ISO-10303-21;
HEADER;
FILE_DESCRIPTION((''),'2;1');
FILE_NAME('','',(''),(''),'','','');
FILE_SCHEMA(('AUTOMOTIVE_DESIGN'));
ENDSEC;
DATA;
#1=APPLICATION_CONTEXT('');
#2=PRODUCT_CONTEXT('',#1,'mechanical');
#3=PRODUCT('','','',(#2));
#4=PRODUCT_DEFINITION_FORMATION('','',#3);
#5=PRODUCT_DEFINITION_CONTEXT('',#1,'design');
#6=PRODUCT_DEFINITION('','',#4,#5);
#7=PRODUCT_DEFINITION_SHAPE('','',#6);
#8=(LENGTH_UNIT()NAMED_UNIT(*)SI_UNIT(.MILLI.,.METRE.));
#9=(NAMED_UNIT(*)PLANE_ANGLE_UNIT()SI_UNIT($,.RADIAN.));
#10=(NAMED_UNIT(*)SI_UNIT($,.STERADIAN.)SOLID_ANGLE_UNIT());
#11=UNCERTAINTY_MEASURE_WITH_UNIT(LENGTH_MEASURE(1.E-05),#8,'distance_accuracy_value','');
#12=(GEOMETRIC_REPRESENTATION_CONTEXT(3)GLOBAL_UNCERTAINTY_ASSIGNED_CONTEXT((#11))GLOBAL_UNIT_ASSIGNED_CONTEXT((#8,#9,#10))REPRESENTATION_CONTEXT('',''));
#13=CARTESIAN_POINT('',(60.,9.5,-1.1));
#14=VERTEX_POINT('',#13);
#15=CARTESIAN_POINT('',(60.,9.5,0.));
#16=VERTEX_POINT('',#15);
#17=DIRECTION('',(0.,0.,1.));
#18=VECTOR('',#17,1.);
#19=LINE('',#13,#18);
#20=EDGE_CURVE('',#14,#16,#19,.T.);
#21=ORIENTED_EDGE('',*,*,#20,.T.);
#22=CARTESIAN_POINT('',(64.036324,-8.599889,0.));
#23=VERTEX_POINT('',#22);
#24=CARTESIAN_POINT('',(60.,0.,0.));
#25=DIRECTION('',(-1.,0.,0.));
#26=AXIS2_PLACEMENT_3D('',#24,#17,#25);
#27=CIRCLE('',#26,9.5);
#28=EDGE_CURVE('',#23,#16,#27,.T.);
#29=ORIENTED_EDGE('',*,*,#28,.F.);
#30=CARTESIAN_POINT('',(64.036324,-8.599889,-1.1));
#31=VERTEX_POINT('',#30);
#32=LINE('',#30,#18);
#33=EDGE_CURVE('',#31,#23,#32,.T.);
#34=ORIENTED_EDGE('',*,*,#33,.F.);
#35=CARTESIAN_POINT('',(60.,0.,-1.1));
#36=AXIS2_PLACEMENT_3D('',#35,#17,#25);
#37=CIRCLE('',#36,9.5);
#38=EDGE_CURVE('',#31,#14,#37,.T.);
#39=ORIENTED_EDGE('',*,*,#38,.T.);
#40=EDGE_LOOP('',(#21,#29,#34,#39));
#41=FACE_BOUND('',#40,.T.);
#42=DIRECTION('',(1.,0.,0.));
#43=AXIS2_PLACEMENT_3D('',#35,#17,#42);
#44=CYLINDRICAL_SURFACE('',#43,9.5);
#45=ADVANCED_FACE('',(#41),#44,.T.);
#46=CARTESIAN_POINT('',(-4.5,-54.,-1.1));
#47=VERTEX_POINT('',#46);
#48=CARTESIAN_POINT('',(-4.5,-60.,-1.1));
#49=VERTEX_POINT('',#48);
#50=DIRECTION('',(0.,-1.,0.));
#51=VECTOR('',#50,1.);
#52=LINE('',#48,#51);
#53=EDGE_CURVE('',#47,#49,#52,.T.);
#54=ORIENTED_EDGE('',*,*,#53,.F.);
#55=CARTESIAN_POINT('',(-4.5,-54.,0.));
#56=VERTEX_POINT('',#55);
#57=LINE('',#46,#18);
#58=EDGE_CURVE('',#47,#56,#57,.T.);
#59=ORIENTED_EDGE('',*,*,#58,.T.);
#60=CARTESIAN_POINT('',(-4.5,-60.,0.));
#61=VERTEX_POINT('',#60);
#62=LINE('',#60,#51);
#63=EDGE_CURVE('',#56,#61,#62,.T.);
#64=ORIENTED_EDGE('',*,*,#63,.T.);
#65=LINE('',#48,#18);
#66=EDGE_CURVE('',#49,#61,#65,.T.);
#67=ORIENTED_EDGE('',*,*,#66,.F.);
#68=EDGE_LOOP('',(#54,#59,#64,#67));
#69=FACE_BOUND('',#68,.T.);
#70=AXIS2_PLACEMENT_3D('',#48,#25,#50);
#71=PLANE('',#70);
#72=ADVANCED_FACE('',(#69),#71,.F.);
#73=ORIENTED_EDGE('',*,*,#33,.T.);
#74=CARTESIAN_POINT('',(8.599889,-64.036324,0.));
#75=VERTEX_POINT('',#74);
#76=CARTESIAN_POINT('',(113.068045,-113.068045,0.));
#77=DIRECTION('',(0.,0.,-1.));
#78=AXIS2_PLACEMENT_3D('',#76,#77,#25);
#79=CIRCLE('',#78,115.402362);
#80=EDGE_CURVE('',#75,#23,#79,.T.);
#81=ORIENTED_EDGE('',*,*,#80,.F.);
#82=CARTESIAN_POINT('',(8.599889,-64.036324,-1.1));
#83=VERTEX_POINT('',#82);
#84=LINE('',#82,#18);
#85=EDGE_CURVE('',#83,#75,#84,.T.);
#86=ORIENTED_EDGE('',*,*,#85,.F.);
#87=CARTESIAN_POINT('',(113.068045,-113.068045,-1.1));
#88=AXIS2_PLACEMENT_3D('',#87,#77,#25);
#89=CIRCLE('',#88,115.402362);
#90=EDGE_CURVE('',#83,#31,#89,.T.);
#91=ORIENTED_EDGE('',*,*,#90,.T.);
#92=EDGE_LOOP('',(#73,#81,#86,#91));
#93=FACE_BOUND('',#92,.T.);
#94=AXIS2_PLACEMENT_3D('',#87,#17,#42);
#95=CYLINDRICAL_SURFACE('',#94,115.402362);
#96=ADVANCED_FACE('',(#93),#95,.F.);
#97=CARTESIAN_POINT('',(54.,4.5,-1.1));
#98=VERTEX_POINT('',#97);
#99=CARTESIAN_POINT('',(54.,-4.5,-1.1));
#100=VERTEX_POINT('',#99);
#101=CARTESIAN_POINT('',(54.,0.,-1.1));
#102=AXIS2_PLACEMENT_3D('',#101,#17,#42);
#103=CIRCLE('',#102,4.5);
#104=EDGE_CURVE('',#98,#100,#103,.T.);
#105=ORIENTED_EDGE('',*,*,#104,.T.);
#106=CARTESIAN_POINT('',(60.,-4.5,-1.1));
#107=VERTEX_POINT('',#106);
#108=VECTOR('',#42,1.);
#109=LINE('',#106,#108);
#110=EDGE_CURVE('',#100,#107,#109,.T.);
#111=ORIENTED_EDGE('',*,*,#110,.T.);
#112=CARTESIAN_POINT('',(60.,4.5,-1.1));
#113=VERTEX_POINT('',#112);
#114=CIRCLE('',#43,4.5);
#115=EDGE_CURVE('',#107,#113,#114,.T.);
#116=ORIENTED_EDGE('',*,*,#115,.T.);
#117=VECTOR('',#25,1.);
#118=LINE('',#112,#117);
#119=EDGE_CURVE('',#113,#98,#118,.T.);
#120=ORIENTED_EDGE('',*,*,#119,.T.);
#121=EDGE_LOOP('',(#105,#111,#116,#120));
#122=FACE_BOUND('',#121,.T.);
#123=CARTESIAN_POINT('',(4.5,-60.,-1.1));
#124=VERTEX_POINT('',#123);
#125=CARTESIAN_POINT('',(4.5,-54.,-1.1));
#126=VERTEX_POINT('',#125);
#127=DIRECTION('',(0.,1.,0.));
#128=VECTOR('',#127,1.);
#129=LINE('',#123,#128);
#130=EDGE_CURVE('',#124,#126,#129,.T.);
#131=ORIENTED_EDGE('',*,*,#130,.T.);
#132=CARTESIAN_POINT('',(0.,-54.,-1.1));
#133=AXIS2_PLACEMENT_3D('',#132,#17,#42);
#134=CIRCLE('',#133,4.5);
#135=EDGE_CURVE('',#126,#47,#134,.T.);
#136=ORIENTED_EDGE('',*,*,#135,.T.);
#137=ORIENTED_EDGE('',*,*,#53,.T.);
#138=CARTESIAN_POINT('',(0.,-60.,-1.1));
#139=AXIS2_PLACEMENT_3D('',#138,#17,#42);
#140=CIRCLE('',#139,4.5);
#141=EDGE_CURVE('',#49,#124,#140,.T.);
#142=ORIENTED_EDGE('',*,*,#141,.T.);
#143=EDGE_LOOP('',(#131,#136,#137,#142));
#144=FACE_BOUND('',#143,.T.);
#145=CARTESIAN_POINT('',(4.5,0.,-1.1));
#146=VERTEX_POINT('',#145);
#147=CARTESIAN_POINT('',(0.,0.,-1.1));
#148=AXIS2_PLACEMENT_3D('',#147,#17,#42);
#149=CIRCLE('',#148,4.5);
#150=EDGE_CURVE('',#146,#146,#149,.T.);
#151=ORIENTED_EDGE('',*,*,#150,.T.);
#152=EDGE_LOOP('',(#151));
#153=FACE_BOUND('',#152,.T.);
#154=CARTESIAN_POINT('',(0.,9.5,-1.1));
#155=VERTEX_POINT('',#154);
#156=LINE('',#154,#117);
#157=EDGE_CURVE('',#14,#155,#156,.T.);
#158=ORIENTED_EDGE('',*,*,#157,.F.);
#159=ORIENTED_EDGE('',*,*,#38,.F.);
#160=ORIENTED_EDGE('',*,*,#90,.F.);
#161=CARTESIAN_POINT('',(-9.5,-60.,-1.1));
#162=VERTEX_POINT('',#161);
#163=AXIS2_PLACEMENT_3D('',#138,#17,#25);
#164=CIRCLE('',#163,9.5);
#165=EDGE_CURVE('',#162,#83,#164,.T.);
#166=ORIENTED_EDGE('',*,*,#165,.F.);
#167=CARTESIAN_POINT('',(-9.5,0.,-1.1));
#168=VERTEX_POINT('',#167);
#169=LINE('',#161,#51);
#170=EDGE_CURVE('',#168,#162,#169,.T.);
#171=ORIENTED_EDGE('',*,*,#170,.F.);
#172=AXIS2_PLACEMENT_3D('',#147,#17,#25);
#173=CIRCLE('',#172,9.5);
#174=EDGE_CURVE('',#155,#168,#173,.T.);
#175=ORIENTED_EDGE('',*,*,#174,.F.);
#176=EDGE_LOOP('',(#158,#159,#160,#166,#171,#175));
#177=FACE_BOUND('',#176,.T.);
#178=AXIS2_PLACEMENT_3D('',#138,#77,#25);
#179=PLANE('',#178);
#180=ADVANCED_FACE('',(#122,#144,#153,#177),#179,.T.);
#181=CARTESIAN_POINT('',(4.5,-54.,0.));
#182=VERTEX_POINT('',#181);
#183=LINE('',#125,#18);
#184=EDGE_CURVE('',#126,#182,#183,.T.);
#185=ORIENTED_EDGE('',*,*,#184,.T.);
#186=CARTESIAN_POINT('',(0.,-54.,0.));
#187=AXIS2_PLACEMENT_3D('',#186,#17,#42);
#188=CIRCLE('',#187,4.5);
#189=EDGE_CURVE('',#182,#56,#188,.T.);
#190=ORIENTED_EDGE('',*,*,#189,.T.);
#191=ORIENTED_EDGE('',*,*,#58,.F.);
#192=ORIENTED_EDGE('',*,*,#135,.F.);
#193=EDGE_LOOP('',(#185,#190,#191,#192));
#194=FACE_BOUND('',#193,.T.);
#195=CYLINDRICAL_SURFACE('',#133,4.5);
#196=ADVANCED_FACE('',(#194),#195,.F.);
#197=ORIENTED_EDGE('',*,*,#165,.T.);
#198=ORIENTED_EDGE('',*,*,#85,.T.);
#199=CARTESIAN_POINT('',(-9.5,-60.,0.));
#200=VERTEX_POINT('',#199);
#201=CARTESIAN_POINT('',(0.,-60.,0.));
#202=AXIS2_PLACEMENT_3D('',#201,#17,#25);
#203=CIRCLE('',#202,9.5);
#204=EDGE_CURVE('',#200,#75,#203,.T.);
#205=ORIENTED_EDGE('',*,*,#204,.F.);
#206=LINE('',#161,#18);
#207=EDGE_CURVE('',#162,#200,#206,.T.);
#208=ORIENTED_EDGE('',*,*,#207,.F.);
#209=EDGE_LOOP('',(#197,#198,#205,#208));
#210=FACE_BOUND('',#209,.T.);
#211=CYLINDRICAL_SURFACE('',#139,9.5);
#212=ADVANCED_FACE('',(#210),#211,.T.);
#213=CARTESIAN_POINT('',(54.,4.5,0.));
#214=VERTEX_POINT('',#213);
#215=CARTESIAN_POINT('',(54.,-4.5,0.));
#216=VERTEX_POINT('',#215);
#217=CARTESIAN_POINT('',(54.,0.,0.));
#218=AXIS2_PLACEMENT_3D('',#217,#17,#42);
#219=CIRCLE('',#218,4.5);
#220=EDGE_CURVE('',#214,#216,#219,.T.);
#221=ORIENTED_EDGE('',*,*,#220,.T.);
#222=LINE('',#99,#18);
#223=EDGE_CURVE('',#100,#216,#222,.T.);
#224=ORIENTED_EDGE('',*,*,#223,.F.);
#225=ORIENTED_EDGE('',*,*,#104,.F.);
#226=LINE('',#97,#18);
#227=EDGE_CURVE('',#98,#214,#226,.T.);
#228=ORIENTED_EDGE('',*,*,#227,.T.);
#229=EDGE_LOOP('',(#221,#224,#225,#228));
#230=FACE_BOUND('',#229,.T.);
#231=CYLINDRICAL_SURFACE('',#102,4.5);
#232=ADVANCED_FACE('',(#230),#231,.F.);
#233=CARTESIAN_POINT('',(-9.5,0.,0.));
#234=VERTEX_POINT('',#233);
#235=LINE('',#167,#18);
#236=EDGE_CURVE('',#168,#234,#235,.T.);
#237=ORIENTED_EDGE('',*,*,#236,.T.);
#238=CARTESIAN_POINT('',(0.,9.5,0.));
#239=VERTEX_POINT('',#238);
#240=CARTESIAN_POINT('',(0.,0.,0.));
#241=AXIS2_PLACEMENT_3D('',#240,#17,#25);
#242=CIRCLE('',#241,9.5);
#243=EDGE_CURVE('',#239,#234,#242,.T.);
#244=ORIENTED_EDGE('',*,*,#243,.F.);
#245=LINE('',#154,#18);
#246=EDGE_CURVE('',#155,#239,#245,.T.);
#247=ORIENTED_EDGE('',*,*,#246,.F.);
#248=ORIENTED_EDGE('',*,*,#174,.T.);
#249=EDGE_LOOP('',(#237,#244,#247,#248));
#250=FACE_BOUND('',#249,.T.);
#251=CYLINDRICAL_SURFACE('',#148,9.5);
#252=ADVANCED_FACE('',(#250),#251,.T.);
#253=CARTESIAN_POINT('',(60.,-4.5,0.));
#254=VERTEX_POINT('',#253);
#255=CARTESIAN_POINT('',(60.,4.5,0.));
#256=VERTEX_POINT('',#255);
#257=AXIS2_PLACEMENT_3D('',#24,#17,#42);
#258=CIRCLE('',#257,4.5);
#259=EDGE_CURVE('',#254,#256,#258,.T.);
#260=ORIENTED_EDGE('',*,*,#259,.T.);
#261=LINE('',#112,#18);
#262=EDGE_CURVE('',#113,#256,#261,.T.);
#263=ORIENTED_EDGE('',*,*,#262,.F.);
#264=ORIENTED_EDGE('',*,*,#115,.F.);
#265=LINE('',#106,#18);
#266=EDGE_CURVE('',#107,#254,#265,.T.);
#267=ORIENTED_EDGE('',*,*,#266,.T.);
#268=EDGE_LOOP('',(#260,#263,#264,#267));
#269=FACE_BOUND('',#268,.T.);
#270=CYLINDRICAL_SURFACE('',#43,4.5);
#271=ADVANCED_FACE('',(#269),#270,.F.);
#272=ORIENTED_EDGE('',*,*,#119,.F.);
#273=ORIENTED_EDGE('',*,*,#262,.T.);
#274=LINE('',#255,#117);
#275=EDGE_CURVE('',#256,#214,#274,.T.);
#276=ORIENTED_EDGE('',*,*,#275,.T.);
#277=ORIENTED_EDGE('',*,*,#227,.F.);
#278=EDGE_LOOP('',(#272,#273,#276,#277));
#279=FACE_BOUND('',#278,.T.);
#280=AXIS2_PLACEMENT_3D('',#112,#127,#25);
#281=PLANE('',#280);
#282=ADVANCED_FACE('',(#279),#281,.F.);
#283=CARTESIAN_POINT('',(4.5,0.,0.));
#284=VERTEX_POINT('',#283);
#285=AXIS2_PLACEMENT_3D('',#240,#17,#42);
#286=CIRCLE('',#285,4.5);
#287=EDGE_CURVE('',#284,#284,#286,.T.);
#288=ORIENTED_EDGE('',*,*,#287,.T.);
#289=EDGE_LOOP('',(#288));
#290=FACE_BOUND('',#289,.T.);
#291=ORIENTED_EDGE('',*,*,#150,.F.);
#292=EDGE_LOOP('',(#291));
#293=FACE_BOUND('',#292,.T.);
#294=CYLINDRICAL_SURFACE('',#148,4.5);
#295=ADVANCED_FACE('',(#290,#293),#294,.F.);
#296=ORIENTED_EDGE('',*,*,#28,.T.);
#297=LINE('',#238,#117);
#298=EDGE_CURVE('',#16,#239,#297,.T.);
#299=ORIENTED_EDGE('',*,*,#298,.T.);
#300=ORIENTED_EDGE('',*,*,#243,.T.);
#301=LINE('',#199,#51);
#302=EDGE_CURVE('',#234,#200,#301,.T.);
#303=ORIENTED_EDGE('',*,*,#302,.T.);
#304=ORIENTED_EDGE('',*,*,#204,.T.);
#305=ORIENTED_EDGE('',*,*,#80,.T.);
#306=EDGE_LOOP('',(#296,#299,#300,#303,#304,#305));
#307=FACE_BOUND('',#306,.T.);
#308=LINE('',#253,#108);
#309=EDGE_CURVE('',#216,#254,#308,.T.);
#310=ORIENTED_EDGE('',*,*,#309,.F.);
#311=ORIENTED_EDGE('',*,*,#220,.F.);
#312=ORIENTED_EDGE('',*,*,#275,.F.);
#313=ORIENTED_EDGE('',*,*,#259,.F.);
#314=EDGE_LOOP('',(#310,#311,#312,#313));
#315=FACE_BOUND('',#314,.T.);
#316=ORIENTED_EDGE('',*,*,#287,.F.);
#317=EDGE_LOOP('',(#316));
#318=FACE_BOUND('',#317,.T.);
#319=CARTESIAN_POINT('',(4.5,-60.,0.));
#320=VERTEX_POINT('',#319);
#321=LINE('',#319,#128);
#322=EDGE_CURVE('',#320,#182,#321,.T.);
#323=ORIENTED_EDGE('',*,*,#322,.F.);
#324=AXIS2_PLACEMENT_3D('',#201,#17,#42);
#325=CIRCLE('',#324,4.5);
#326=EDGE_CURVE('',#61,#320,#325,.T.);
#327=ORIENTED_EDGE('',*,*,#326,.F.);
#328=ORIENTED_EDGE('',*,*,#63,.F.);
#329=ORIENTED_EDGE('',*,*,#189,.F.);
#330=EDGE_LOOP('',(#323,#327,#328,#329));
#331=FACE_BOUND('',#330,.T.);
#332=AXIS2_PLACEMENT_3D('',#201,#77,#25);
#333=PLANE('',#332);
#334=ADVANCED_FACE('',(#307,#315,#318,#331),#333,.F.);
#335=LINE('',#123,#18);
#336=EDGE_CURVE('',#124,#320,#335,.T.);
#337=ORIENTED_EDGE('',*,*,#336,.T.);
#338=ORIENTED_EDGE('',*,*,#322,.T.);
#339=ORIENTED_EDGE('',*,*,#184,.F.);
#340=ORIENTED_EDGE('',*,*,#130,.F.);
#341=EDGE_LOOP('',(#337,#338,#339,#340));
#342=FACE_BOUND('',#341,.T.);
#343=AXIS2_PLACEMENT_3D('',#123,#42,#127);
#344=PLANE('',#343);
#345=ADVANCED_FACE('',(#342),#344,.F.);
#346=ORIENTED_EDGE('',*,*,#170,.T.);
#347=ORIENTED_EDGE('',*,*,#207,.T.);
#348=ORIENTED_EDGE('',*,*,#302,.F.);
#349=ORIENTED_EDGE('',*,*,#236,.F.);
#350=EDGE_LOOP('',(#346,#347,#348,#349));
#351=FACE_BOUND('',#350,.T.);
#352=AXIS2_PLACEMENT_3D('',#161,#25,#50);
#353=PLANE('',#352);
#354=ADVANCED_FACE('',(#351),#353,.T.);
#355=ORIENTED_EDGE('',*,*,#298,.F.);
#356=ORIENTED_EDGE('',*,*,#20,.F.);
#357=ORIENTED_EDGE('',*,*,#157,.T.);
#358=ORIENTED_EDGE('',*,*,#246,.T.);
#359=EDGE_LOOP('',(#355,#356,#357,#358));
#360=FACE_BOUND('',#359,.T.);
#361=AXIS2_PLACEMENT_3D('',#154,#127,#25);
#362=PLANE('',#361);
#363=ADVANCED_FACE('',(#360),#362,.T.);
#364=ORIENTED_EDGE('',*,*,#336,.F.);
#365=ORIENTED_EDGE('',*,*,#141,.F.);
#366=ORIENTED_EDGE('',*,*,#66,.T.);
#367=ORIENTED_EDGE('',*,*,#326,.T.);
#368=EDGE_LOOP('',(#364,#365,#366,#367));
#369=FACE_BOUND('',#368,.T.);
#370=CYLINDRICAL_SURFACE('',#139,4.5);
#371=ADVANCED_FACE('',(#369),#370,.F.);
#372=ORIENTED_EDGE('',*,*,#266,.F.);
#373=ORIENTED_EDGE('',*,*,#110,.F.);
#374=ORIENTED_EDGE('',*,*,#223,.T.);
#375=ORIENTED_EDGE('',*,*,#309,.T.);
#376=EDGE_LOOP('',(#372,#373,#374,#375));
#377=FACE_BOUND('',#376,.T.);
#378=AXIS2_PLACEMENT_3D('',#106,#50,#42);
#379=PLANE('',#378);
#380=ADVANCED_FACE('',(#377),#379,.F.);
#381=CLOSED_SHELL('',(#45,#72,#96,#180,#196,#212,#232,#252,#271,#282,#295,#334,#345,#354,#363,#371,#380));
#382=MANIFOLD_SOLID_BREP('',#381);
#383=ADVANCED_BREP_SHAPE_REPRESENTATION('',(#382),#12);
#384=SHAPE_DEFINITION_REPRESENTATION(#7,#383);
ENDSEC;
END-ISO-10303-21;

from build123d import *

# Parameters (mm, degrees)
SKETCH1_R           = 4.5
BOSS_EXTRUDE1_DEPTH = 1.1


with BuildPart() as part:
    # Sketch1 → Boss-Extrude1 (new body)
    with BuildSketch(Plane.XY):
        with BuildLine():
            Line((-9.5, -60), (-9.5, 0))
            ThreePointArc((-9.5, 0), (-6.717514421, 6.717514421), (0, 9.5))
            Line((0, 9.5), (60, 9.5))
            ThreePointArc((60, 9.5), (69.272242002, 2.067735054), (64.036324171, -8.599888789))
            ThreePointArc((64.036324171, -8.599888789), (31.466251763, -31.466251763), (8.599888789, -64.036324171))
            ThreePointArc((8.599888789, -64.036324171), (-2.067735054, -69.272242002), (-9.5, -60))
        make_face()
        Circle(SKETCH1_R, mode=Mode.SUBTRACT)
        with BuildLine():
            Line((-4.5, -60), (-4.5, -54))
            ThreePointArc((-4.5, -54), (0, -49.5), (4.5, -54))
            Line((4.5, -54), (4.5, -60))
            ThreePointArc((4.5, -60), (0, -64.5), (-4.5, -60))
        make_face(mode=Mode.SUBTRACT)
        with BuildLine():
            Line((60, -4.5), (54, -4.5))
            ThreePointArc((54, -4.5), (49.5, 0), (54, 4.5))
            Line((54, 4.5), (60, 4.5))
            ThreePointArc((60, 4.5), (64.5, 0), (60, -4.5))
        make_face(mode=Mode.SUBTRACT)
    extrude(amount=-BOSS_EXTRUDE1_DEPTH)


solid = part.part
